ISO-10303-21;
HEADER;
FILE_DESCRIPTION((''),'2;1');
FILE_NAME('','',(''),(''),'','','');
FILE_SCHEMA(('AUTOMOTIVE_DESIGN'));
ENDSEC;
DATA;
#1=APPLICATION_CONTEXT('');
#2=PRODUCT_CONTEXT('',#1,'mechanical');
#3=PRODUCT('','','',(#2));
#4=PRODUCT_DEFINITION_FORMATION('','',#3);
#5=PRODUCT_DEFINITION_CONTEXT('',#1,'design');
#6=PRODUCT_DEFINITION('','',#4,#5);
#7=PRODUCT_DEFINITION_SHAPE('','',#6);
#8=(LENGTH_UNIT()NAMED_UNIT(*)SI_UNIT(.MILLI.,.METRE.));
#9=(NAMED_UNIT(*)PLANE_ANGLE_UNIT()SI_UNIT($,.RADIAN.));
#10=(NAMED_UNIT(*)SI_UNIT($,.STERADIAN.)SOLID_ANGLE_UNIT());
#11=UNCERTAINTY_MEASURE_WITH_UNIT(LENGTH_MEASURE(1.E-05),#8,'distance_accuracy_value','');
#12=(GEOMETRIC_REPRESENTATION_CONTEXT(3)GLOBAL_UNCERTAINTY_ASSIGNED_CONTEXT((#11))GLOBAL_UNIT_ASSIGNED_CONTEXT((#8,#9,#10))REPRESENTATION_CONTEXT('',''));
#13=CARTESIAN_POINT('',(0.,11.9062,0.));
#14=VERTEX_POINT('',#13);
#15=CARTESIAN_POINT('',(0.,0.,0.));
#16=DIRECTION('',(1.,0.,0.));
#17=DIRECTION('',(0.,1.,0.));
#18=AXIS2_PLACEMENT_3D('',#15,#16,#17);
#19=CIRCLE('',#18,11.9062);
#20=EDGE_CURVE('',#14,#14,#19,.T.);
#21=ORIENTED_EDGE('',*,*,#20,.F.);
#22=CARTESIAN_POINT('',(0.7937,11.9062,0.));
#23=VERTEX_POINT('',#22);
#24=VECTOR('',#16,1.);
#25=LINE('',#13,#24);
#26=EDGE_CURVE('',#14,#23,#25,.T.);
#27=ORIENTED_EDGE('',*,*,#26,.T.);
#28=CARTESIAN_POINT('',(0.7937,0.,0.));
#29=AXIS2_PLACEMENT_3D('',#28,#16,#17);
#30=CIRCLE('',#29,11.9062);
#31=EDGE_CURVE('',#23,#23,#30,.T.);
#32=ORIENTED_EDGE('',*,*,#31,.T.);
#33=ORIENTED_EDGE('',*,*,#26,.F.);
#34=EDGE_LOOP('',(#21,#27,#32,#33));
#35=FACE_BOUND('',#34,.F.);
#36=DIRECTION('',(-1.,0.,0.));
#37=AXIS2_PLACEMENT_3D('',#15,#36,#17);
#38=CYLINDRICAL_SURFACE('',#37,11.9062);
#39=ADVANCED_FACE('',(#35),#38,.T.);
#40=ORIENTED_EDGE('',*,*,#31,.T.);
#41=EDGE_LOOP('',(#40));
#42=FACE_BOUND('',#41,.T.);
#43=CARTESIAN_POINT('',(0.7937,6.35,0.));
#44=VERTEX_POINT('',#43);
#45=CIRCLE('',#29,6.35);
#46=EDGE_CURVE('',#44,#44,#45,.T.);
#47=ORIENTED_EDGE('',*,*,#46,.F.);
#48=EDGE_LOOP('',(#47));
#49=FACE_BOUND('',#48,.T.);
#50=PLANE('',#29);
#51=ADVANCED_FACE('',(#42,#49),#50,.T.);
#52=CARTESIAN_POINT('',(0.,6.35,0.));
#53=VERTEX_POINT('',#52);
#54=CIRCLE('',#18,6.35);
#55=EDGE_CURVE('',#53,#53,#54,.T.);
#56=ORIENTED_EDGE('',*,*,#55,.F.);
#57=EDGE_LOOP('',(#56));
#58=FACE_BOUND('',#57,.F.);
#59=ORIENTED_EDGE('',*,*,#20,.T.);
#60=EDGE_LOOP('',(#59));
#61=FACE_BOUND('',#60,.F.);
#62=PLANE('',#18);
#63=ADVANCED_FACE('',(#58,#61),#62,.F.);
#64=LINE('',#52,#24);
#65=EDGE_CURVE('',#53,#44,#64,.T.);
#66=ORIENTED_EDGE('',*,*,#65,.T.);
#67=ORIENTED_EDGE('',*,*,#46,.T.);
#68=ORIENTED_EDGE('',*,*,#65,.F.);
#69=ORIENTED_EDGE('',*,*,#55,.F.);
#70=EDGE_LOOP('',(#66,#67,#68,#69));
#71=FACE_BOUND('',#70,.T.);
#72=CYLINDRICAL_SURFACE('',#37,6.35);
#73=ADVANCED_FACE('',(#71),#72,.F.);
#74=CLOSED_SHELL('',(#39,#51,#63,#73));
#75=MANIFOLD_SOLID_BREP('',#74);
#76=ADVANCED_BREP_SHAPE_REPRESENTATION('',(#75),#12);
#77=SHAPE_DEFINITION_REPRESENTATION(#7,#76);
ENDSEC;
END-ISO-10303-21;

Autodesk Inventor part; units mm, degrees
ref_plane "YZ Plane" through (0, 0, 0) normal (1, 0, 0) x (0, 1, 0)
ref_plane "XZ Plane" through (0, 0, 0) normal (0, 1, 0) x (-1, 0, 0)
ref_plane "XY Plane" through (0, 0, 0) normal (0, 0, 1) x (1, 0, 0)
sketch "Sketch2" plane through (0, 0, 0) normal (1, 0, 0) x (0, 1, 0)
  circle A0 centre (0, 0) radius 6.35
  circle A1 centre (0, 0) radius 11.9062
  dimension "d0" = 12.7
  dimension "d2" = 23.8125
extrude "Extrusion1" add sketch "Sketch2" along normal blind 0.7937
properties part number "5909K44"
